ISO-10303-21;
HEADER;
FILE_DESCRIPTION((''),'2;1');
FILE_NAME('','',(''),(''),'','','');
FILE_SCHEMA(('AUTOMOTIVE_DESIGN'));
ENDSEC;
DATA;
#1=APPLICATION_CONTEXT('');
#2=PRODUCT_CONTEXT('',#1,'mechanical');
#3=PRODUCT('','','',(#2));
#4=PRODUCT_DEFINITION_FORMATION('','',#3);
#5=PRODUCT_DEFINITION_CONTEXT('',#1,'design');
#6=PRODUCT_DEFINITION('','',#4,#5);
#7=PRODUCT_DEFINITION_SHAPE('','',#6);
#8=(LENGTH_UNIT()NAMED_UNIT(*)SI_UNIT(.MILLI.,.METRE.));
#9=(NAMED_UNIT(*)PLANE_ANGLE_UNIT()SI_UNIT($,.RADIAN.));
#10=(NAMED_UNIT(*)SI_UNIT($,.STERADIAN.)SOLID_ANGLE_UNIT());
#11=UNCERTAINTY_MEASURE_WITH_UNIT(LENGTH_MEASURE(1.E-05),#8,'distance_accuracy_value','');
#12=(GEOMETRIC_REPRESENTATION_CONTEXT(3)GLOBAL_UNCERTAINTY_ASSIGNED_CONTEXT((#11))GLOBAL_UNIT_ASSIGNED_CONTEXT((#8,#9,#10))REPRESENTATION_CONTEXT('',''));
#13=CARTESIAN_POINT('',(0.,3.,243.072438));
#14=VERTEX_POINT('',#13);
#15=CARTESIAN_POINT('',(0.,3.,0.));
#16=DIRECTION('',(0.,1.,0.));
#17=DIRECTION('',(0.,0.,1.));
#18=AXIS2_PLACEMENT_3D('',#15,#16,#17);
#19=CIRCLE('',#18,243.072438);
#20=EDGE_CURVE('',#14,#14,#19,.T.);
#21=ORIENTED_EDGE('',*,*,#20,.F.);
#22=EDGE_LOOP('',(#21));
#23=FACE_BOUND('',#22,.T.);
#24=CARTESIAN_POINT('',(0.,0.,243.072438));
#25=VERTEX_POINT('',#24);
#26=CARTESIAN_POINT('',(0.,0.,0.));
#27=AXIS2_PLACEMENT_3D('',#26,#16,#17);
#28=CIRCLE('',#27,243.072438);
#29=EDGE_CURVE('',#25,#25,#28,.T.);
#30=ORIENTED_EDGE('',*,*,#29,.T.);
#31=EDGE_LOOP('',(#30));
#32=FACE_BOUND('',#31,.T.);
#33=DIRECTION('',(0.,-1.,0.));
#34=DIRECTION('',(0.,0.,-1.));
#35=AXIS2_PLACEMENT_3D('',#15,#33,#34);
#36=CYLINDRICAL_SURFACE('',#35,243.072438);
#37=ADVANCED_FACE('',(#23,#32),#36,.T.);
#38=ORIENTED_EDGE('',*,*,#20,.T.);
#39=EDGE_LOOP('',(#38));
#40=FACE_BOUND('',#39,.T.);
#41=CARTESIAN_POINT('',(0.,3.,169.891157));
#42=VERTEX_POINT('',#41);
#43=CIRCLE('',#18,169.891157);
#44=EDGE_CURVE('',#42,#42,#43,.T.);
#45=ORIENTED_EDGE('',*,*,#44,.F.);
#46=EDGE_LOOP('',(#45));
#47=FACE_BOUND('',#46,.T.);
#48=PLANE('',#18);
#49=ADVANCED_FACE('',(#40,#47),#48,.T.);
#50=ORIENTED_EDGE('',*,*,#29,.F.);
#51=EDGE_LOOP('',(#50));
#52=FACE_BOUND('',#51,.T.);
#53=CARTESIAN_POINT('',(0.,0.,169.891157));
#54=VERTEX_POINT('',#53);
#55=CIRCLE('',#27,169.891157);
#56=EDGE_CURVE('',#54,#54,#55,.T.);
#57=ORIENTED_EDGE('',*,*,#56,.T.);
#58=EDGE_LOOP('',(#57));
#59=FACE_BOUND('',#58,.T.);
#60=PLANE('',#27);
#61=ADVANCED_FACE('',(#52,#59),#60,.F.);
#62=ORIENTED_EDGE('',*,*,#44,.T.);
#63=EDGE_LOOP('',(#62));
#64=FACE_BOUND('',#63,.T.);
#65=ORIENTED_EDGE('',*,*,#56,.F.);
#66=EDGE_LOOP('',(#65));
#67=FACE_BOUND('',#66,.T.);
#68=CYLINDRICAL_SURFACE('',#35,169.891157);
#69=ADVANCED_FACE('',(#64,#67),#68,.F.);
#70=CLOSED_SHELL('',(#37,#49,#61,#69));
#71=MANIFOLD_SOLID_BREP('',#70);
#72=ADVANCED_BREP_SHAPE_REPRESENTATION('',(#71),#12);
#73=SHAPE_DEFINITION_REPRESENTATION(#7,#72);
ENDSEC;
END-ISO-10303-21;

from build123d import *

# Parameters (mm, degrees)
SKETCH1_R           = 243.07243807
SKETCH1_R_2         = 169.891157402
BOSS_EXTRUDE1_DEPTH = 3


with BuildPart() as part:
    # Sketch1 → Boss-Extrude1 (new body)
    with BuildSketch(Plane(origin=(0, 0, 0), x_dir=(1, 0, 0), z_dir=(0, 1, 0))):
        with Locations(Location((0, 0, 0), (0, 0, 270))):
            Circle(SKETCH1_R)
        with Locations(Location((0, 0, 0), (0, 0, 270))):
            Circle(SKETCH1_R_2, mode=Mode.SUBTRACT)
    extrude(amount=BOSS_EXTRUDE1_DEPTH)


solid = part.part
